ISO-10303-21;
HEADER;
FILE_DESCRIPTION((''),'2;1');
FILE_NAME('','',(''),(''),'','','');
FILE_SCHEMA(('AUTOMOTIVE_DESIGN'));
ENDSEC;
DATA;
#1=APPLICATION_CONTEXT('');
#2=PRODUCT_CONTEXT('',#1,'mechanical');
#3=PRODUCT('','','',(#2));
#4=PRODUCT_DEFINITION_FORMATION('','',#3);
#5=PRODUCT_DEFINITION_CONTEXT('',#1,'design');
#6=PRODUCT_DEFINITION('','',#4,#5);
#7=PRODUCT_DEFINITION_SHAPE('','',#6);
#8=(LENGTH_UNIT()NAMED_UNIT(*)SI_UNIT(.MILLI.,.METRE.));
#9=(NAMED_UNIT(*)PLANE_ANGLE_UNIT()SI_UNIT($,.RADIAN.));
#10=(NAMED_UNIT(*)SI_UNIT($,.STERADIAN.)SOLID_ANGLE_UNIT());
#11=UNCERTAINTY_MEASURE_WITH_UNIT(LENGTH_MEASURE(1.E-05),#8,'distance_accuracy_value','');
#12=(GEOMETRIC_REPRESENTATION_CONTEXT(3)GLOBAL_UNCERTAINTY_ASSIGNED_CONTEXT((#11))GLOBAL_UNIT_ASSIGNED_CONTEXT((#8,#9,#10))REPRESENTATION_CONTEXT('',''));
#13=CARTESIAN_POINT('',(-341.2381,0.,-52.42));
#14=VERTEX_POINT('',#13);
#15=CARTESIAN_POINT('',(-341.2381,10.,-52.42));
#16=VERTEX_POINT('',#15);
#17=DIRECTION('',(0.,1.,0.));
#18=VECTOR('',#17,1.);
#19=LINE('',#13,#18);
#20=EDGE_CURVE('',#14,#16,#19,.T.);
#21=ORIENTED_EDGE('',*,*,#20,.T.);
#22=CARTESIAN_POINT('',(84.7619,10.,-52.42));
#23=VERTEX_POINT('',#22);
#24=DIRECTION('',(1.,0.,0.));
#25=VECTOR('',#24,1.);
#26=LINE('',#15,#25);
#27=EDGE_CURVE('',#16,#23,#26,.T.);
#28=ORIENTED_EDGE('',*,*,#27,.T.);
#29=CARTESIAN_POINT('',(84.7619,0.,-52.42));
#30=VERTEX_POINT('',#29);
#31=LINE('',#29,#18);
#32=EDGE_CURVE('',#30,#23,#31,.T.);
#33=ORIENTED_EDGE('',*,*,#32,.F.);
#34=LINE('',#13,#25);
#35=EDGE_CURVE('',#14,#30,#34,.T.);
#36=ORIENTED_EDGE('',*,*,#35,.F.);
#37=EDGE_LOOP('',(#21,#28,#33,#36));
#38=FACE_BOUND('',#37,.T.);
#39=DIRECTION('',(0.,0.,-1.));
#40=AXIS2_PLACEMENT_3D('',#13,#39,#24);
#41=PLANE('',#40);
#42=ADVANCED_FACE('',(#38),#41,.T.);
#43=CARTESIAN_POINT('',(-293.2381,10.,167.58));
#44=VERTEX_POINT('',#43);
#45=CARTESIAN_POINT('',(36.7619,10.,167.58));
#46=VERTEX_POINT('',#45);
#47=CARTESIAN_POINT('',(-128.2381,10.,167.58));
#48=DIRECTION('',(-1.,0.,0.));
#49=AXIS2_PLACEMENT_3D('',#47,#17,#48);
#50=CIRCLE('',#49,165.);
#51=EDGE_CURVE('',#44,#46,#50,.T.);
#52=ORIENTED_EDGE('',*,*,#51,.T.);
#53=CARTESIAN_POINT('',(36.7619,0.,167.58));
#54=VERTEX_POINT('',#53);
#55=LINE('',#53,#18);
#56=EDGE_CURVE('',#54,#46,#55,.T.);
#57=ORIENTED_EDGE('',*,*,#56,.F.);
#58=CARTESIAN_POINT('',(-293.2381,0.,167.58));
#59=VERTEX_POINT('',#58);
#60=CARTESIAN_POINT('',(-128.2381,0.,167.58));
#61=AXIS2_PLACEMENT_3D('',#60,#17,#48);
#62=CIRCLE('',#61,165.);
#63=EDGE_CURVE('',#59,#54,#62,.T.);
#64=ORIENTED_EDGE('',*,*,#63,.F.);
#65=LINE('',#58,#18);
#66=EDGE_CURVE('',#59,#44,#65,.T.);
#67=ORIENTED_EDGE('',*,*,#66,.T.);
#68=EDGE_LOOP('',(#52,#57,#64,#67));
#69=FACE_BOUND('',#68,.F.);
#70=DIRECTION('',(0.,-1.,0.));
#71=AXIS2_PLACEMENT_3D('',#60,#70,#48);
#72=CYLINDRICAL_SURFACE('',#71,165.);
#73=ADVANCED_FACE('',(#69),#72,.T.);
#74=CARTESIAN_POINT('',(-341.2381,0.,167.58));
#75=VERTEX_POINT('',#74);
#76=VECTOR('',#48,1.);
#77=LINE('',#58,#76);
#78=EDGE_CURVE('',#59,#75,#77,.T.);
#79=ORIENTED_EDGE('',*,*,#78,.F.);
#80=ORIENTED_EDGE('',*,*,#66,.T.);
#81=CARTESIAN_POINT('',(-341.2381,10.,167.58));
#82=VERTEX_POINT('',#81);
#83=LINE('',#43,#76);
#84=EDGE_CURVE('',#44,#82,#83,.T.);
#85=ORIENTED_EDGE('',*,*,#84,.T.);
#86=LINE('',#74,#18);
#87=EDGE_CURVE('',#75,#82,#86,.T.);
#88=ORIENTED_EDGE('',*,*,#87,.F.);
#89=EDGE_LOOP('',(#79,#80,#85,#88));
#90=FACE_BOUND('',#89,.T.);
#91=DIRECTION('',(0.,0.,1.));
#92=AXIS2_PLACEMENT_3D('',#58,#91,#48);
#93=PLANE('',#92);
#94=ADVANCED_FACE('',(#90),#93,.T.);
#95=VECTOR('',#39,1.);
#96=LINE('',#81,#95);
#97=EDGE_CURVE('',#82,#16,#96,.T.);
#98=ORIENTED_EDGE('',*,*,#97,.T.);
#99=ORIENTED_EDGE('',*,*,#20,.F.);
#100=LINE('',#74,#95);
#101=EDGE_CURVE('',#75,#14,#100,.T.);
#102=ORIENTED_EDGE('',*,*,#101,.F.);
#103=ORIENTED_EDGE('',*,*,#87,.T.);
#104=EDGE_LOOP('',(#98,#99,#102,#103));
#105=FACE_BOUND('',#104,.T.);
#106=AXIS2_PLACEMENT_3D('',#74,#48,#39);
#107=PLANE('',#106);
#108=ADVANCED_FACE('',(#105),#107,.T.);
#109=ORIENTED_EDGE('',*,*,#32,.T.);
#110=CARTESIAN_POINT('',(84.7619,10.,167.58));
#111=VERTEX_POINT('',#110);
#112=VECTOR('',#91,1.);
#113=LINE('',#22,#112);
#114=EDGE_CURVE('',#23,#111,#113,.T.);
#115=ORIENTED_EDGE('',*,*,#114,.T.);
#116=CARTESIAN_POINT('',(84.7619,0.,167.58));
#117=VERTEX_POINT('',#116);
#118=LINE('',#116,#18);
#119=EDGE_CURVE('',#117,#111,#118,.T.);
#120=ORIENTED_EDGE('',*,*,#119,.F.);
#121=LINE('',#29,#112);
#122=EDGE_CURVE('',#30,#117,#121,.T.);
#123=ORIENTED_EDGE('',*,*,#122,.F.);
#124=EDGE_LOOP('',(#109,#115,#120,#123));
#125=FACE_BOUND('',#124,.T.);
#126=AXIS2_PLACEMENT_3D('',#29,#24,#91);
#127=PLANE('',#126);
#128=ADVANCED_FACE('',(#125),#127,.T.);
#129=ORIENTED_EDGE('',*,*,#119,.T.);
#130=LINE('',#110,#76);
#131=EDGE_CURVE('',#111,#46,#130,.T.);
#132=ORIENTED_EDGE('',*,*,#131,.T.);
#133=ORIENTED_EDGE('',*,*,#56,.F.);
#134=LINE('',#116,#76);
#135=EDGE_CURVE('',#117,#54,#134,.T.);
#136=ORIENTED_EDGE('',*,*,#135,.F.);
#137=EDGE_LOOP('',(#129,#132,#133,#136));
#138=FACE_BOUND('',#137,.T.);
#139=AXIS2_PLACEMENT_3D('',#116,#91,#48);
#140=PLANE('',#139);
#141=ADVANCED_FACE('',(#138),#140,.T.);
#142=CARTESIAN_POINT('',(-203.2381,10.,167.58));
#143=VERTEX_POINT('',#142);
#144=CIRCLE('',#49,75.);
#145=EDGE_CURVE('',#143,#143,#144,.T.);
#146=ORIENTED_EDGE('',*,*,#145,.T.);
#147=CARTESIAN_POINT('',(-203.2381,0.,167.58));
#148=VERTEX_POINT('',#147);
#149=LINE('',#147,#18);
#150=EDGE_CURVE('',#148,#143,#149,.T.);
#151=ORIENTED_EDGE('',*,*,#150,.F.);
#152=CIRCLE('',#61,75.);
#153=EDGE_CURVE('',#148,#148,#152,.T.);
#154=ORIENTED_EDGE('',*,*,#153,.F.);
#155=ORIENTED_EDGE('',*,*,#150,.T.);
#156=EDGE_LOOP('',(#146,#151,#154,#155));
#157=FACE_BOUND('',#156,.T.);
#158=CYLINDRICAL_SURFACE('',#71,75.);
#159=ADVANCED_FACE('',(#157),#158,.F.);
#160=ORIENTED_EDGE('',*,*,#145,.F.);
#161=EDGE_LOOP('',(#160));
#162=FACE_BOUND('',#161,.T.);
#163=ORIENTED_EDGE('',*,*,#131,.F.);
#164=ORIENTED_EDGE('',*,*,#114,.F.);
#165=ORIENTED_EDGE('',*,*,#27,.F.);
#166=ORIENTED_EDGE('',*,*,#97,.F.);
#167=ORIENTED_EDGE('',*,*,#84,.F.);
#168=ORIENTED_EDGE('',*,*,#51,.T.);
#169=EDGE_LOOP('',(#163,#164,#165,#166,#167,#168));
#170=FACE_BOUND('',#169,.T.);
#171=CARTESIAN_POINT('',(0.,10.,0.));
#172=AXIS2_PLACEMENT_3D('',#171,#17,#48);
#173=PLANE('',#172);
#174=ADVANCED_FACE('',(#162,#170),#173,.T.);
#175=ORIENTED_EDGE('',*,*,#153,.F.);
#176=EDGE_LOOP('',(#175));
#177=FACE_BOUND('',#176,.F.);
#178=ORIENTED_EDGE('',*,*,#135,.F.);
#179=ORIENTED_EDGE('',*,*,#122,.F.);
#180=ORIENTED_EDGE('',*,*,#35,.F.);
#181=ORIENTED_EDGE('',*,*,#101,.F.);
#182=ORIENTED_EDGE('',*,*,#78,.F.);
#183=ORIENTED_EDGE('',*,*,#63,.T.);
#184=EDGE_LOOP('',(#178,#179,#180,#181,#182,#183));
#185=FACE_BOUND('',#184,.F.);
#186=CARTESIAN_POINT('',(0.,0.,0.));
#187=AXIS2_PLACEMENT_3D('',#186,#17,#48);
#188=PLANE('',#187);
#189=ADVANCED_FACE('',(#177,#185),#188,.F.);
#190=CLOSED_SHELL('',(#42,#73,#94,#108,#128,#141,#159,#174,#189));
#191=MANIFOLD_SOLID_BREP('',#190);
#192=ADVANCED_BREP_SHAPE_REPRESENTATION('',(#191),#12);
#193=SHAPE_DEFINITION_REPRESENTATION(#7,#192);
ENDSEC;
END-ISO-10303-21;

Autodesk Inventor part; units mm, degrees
ref_plane "YZ Plane" through (0, 0, 0) normal (1, 0, 0) x (0, 1, 0)
ref_plane "XZ Plane" through (0, 0, 0) normal (0, 1, 0) x (-1, 0, 0)
ref_plane "XY Plane" through (0, 0, 0) normal (0, 0, 1) x (1, 0, 0)
sketch "Sketch1" plane through (0, 0, 0) normal (0, 1, 0) x (-1, 0, 0)
  line L0 (341.2381, 167.58) -> (341.2381, -52.42)
  line L1 (341.2381, -52.42) -> (-84.7619, -52.42)
  line L2 (-84.7619, -52.42) -> (-84.7619, 167.58)
  arc A0 (293.2381, 167.58) -> (-36.7619, 167.58) centre (128.2381, 167.58) ccw
  line L3 (-84.7619, 167.58) -> (-36.7619, 167.58)
  line L4 (293.2381, 167.58) -> (341.2381, 167.58)
  circle A1 centre (128.2381, 167.58) radius 75
  point P0 (0, 0)
  dimension "d0" = 426
  dimension "d1" = 220
  dimension "d2" = 330
  dimension "d3" = 150
extrude "Extrusion1" add sketch "Sketch1" along normal blind 10
properties part number "frontPlate_half"
